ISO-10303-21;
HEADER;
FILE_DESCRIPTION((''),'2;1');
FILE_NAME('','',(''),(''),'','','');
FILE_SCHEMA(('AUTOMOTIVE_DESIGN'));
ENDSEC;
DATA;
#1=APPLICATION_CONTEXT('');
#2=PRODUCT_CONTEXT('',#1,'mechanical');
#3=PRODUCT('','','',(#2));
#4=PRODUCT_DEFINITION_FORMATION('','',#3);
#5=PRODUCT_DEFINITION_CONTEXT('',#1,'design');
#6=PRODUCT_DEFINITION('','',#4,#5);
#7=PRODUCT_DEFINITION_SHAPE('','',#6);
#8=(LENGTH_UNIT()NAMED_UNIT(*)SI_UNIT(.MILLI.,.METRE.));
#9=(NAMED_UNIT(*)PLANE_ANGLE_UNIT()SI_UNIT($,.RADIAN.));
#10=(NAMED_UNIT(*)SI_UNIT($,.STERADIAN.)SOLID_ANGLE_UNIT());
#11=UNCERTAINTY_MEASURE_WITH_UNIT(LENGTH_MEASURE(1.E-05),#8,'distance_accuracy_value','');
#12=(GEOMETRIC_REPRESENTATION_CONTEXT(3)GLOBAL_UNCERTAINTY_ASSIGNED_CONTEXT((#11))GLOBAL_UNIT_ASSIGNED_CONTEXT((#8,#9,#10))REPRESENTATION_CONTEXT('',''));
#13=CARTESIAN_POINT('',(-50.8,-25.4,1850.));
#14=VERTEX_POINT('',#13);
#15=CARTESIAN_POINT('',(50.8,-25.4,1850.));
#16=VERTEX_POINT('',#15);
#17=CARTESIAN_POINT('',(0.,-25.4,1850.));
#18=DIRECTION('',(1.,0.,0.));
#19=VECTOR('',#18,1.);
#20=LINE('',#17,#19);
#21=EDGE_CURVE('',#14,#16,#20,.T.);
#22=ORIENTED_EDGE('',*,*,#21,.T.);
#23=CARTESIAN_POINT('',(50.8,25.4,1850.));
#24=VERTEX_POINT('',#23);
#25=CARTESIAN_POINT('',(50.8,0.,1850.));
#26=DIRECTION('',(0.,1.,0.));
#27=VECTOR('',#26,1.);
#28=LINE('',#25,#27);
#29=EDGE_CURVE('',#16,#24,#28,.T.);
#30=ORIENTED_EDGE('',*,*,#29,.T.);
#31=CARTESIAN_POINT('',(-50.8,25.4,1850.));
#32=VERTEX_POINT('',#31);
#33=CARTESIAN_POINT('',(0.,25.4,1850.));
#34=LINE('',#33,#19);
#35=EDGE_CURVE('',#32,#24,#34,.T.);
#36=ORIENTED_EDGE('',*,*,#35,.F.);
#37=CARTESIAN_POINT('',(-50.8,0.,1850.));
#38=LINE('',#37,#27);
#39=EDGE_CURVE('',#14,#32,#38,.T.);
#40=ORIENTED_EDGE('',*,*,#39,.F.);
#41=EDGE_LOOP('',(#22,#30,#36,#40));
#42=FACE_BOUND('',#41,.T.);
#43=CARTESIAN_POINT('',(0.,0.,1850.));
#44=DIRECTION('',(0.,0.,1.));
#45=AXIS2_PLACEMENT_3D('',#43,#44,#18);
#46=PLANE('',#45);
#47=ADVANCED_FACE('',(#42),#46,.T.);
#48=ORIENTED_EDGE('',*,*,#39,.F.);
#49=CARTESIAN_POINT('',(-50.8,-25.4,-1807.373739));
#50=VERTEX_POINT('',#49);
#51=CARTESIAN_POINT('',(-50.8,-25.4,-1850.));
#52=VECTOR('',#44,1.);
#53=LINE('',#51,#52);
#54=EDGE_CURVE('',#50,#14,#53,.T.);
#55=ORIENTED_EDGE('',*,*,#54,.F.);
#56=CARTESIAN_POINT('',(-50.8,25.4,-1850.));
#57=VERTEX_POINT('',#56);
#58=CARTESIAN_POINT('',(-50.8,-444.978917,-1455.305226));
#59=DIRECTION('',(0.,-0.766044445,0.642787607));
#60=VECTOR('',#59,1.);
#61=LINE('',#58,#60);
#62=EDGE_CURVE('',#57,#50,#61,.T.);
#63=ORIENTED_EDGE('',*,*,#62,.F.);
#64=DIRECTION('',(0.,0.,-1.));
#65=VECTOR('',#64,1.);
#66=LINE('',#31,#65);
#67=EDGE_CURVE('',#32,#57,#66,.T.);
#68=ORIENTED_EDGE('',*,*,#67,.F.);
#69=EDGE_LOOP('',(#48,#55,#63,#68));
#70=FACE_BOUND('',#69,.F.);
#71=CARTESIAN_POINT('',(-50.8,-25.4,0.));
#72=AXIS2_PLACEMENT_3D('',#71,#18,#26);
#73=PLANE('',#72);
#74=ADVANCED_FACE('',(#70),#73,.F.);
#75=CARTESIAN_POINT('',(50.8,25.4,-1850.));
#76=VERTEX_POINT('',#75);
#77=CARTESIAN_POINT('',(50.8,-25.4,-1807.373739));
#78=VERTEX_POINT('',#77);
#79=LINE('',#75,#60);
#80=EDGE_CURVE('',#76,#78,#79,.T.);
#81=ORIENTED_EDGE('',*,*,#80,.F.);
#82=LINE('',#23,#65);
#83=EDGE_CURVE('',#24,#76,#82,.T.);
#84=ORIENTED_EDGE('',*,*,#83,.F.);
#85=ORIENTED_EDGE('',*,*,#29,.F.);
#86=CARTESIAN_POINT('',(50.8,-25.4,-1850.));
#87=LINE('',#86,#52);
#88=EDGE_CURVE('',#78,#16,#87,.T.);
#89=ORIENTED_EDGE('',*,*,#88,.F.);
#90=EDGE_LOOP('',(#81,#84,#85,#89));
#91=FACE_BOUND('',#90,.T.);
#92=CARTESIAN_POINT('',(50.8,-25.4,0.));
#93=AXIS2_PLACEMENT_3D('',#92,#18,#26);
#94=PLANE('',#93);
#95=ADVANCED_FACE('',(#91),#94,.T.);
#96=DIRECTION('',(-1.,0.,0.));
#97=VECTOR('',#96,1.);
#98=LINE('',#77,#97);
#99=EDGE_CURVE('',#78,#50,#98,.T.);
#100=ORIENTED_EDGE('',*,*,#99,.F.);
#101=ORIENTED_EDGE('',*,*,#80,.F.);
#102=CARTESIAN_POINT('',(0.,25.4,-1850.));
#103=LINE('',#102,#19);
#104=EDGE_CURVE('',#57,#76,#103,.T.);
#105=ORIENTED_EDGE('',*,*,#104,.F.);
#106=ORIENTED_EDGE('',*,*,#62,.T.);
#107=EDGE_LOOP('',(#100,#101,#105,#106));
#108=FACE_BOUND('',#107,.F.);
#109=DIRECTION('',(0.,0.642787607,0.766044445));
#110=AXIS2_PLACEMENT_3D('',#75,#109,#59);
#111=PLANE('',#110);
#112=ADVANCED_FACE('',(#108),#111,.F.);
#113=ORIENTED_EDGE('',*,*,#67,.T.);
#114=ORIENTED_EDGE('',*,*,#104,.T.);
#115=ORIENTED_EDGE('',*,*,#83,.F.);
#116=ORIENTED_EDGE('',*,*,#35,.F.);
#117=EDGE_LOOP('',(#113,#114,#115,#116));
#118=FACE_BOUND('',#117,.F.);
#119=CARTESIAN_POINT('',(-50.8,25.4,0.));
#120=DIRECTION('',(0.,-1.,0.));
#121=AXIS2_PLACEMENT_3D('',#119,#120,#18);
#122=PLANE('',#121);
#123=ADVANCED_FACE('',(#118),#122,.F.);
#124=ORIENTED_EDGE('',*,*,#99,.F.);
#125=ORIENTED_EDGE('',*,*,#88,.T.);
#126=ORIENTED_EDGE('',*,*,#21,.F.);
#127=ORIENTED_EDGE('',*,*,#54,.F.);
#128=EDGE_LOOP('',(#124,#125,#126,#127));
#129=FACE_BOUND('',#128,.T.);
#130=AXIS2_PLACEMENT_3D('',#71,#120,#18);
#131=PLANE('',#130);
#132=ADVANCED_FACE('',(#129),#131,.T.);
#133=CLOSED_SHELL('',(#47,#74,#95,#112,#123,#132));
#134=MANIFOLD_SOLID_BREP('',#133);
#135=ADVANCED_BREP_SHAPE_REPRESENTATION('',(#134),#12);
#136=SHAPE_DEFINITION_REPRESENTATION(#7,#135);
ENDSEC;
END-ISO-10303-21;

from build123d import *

# Parameters (mm, degrees)
F0_W     = 101.6
F0_H     = 50.8
F1_DEPTH = 1850
F3_DEPTH = 101.601


with BuildPart() as f1:
    # F0 (on Top) → F1 (new body, symmetric)
    with BuildSketch(Plane.XY):
        Rectangle(F0_W, F0_H)
    extrude(amount=F1_DEPTH, both=True)

    # F2 (on face) → F3 (cut, through all)
    with BuildSketch(Plane.YZ.offset(50.8)):
        Polygon((25.4, -1880.026198), (25.4, -1850), (-25.4, -1850), (-25.4, -1807.373739), (-79.596624, -1807.373739), (-79.596624, -1880.026198), align=None)
        Polygon((-25.4, -1850), (25.4, -1850), (-25.4, -1807.373739), align=None)
    extrude(amount=-F3_DEPTH, mode=Mode.SUBTRACT)


solid = f1.part
